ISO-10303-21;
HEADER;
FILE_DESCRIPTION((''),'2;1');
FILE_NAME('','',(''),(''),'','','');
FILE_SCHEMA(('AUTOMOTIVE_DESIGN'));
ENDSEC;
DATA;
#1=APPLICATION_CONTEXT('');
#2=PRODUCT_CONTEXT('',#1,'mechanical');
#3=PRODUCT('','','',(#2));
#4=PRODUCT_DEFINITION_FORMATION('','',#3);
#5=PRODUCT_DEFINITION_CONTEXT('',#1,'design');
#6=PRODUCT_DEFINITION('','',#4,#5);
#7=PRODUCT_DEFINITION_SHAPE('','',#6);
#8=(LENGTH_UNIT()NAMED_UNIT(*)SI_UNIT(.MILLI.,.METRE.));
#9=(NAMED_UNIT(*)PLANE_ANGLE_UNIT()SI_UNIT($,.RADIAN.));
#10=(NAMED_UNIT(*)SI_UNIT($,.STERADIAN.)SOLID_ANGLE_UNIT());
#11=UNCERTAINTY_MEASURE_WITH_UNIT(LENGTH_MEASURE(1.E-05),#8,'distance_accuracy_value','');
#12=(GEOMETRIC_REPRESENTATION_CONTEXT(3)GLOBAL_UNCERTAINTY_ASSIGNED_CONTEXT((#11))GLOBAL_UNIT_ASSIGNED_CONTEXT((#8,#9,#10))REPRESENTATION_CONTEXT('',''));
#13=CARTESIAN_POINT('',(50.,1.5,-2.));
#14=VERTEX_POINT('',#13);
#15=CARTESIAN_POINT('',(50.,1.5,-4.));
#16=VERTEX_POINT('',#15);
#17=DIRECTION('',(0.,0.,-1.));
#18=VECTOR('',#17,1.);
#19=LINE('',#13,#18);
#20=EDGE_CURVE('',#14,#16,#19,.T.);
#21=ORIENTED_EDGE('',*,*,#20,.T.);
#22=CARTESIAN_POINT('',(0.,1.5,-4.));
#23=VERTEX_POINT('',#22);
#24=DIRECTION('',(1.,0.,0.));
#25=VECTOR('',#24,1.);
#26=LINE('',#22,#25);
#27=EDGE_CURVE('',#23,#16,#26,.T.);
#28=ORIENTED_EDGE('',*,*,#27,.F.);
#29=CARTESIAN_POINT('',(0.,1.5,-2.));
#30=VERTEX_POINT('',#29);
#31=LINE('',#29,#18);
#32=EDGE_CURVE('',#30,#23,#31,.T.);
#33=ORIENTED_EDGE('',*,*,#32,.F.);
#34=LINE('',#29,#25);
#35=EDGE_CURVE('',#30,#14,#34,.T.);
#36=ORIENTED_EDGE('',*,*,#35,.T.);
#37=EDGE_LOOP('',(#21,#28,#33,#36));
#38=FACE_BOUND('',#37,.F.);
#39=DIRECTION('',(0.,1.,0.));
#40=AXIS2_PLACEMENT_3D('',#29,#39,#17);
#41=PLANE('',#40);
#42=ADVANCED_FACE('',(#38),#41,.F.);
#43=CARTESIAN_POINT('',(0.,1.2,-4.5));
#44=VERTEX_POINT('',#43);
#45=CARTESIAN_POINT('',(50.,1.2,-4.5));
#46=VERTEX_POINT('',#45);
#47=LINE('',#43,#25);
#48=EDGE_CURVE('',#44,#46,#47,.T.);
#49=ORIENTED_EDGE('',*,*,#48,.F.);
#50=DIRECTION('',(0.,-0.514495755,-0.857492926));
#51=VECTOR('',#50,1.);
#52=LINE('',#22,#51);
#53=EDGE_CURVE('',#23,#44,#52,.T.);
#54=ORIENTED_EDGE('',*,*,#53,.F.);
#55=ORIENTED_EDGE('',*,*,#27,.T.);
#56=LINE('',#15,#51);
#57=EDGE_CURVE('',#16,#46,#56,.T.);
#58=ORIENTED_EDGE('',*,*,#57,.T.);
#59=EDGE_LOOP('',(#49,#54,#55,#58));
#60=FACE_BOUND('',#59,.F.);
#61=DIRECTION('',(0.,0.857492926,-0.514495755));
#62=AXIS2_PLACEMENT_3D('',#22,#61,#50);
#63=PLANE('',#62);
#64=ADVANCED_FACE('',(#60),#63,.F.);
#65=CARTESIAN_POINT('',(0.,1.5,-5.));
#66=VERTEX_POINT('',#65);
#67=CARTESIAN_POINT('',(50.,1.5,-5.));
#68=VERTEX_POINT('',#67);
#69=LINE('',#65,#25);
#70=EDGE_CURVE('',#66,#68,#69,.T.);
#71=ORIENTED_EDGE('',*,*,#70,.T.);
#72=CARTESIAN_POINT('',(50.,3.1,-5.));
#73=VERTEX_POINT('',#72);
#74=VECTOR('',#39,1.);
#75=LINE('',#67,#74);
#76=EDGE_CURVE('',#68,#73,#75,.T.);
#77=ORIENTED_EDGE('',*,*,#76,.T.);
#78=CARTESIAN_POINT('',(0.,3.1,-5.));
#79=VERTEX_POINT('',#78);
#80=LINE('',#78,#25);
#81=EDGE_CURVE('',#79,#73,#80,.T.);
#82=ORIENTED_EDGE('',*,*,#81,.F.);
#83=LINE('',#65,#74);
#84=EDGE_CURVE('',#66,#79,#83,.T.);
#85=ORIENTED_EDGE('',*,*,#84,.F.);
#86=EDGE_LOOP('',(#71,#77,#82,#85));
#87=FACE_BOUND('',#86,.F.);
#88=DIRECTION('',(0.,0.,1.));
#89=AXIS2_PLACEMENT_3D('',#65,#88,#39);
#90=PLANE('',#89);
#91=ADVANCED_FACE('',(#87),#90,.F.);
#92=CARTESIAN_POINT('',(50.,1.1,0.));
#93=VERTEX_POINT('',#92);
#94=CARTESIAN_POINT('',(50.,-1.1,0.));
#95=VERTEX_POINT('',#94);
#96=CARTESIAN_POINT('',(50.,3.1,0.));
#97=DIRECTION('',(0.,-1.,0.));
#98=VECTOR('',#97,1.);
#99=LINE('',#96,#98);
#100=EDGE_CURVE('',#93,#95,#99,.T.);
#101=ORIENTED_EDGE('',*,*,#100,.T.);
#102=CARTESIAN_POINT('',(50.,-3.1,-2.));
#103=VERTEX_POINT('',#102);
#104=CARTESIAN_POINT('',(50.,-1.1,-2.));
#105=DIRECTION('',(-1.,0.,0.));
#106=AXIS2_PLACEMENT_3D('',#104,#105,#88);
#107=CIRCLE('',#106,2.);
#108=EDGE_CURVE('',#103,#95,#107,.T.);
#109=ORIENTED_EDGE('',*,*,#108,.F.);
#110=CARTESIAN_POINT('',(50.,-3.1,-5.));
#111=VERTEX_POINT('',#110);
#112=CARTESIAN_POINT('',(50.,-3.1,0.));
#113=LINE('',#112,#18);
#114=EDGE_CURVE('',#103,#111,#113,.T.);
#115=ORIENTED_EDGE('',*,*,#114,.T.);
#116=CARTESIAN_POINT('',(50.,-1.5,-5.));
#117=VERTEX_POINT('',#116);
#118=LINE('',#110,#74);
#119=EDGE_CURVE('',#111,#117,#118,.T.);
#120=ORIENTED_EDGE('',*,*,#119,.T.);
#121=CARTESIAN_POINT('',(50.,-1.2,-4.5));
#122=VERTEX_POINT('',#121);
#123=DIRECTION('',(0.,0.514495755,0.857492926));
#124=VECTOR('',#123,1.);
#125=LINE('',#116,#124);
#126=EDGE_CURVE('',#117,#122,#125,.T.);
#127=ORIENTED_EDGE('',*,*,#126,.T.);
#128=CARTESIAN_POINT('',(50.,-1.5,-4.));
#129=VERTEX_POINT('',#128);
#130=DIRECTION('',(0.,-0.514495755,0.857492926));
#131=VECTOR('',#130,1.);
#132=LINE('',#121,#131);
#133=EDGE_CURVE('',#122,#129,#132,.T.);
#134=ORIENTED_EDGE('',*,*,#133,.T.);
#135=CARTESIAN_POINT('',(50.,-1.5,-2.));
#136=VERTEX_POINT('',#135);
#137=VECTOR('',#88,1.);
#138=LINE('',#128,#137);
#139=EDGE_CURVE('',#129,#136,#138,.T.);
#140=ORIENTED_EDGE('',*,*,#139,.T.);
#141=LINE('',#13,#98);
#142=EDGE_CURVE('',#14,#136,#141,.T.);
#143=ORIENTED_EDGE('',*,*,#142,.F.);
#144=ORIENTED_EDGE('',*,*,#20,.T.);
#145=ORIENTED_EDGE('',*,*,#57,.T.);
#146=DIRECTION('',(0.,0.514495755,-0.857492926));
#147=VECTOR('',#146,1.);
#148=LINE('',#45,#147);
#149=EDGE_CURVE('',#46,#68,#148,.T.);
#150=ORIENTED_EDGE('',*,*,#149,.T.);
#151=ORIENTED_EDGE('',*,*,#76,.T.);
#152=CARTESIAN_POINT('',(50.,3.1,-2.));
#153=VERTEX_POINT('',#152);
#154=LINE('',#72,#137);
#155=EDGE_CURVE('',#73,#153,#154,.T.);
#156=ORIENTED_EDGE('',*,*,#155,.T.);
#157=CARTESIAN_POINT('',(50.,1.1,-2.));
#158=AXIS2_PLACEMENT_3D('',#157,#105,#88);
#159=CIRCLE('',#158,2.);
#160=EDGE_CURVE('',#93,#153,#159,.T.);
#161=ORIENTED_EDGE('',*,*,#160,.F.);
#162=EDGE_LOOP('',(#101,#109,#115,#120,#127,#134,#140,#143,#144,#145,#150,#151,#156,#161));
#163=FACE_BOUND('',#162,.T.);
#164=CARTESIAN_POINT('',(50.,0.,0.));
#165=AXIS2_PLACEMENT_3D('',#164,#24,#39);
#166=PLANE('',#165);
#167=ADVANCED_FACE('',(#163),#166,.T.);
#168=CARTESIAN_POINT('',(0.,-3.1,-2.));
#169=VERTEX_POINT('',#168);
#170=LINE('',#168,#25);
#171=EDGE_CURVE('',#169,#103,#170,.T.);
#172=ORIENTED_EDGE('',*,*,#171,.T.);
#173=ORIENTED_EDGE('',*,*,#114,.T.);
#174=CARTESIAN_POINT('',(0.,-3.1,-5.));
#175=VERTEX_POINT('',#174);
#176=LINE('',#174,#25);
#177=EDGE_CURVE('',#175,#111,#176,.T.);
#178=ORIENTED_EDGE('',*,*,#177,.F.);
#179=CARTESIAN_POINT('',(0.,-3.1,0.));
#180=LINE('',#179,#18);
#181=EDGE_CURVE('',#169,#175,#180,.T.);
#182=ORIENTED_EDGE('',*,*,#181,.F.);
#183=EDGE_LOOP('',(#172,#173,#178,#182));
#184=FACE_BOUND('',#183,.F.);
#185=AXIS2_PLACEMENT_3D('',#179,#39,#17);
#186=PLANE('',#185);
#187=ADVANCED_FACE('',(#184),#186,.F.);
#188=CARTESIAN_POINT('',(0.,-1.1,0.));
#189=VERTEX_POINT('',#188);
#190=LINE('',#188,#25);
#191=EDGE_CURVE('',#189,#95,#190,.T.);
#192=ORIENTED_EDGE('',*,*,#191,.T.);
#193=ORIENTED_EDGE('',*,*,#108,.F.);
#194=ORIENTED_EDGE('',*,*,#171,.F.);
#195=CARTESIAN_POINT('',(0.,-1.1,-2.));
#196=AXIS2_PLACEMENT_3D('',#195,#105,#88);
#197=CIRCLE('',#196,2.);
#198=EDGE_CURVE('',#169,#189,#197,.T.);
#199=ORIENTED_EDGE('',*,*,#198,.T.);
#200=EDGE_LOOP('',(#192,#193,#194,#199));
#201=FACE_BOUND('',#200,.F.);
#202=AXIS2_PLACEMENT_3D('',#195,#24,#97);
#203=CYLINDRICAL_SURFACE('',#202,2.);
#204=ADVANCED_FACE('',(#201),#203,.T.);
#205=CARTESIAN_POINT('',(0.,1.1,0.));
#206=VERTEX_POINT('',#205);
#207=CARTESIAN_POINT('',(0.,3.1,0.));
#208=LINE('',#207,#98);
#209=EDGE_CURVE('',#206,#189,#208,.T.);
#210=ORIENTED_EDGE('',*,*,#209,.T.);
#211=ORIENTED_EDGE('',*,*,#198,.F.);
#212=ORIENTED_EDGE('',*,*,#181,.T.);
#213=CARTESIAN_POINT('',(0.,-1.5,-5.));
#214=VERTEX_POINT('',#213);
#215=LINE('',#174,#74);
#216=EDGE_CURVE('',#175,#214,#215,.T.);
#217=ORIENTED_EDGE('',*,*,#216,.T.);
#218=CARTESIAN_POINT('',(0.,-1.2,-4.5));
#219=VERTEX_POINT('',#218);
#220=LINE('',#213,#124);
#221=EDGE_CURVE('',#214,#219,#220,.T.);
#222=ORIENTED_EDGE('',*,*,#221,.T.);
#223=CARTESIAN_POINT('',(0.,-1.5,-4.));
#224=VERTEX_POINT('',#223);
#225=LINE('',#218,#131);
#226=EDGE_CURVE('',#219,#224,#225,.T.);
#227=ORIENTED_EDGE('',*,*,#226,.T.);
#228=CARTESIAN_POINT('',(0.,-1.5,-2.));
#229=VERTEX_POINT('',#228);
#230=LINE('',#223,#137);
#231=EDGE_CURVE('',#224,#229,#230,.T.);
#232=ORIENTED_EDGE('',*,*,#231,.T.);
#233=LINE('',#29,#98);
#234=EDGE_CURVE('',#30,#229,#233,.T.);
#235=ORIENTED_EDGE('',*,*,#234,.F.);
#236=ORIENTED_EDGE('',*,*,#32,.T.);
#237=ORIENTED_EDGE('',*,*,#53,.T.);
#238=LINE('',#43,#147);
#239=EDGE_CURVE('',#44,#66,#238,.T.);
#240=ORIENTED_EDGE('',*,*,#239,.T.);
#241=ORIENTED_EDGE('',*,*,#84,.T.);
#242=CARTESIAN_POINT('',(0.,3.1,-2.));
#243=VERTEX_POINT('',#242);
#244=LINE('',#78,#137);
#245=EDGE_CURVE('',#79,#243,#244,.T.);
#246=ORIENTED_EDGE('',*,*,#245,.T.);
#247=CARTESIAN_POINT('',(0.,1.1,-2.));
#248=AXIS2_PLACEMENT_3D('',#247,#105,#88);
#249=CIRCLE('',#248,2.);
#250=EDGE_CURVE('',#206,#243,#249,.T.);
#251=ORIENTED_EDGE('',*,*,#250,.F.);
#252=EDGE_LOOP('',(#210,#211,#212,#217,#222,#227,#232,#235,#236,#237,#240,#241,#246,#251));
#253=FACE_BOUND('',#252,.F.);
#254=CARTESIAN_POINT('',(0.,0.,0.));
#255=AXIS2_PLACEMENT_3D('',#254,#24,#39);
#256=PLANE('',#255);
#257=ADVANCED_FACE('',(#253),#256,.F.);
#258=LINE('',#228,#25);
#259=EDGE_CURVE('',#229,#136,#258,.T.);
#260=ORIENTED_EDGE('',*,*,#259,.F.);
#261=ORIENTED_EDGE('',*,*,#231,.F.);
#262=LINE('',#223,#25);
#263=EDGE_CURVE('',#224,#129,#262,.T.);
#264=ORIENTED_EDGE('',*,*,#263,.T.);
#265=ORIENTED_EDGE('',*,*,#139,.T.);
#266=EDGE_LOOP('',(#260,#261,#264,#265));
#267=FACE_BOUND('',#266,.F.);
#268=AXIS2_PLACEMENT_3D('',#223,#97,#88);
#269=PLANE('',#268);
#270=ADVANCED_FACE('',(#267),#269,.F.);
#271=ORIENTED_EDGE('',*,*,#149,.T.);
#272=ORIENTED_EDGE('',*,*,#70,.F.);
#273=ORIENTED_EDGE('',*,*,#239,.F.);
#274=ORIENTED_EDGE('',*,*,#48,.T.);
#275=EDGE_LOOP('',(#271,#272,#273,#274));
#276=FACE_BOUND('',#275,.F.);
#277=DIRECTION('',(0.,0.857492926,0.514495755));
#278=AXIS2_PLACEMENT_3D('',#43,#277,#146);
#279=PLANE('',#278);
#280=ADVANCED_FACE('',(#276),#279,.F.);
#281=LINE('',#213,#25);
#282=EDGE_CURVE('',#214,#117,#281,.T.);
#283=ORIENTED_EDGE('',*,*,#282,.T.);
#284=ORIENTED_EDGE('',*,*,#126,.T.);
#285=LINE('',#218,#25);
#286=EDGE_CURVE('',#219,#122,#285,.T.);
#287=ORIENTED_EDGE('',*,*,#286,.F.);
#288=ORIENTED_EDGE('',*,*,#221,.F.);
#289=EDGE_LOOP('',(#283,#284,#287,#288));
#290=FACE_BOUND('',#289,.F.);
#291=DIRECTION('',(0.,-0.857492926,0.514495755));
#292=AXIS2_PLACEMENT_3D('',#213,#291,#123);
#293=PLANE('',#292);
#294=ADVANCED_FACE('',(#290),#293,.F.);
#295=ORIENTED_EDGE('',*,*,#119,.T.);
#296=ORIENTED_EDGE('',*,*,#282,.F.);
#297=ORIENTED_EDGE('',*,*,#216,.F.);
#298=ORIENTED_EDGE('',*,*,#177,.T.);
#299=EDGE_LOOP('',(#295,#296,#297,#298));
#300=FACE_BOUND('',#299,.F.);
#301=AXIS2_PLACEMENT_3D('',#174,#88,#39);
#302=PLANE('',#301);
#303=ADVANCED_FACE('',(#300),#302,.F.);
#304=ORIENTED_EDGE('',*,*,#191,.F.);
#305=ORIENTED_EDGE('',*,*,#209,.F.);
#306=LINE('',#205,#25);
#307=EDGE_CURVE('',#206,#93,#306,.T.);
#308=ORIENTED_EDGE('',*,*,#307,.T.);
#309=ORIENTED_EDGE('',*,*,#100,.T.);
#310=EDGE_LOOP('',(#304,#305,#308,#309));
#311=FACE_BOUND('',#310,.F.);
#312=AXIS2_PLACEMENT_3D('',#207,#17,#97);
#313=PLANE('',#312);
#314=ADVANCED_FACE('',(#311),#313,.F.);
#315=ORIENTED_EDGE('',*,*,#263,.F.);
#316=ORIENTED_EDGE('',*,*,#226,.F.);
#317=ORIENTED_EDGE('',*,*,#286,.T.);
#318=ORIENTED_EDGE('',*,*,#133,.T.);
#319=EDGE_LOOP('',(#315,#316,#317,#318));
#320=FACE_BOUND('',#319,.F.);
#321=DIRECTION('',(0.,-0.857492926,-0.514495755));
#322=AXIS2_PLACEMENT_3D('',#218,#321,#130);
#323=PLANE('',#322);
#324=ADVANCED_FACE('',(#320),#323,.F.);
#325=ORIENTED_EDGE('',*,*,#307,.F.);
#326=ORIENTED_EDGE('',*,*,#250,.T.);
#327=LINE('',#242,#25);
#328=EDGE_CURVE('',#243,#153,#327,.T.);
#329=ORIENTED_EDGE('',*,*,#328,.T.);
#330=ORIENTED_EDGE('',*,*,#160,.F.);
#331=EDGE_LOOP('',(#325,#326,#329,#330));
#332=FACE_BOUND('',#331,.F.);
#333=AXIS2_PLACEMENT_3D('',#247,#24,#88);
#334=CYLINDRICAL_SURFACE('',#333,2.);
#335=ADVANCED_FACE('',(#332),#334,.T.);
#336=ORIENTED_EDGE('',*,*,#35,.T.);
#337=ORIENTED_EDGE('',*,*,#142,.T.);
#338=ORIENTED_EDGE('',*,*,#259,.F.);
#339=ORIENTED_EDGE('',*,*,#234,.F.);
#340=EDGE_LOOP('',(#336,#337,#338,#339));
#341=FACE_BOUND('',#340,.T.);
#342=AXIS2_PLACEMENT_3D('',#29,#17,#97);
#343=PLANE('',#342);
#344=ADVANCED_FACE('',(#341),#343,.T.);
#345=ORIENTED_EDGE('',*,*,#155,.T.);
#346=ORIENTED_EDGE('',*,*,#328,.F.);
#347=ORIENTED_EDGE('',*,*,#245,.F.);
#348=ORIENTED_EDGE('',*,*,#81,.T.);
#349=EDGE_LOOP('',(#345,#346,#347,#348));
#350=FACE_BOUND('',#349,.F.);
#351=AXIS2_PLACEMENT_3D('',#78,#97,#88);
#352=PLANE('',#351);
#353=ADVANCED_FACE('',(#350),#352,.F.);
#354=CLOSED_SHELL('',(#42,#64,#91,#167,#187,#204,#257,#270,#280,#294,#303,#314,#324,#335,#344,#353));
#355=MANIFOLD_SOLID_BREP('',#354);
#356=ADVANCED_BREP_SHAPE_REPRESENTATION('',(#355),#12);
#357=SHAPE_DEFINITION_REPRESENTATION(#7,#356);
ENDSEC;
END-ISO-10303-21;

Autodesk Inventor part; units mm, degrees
ref_plane "YZ Plane" through (0, 0, 0) normal (1, 0, 0) x (0, 1, 0)
ref_plane "XZ Plane" through (0, 0, 0) normal (0, 1, 0) x (-1, 0, 0)
ref_plane "XY Plane" through (0, 0, 0) normal (0, 0, 1) x (1, 0, 0)
sketch "Sketch1" plane through (0, 0, 0) normal (1, 0, 0) x (0, 1, 0)
  line L0 (1.5, -2) -> (-1.5, -2)
  line L1 (1.5, -2) -> (1.5, -4)
  line L2 (1.5, -4) -> (1.2, -4.5)
  line L3 (1.2, -4.5) -> (1.5, -5)
  line L4 (1.5, -5) -> (3.1, -5)
  line L5 (3.1, -5) -> (3.1, 0)
  line L6 (3.1, 0) -> (-3.1, 0)
  line L7 (-3.1, 0) -> (-3.1, -5)
  line L8 (-3.1, -5) -> (-1.5, -5)
  line L9 (-1.5, -5) -> (-1.2, -4.5)
  line L10 (-1.2, -4.5) -> (-1.5, -4)
  line L11 (-1.5, -4) -> (-1.5, -2)
  point P0 (0, 0)
  point P1 (0, -2)
  dimension "d0" = 3
  dimension "d1" = 2
  dimension "d2" = 1.6
  dimension "d3" = 1.6
  dimension "d4" = 0.3
  dimension "d5" = 3
  dimension "d6" = 2
extrude "Extrusion1" add sketch "Sketch1" along normal blind 50
fillet "Fillet1" radius 2 2 edges at (25, 3.1, 0) (25, -3.1, 0)
properties part number "ForceStopper" material "ABS Plastic"
